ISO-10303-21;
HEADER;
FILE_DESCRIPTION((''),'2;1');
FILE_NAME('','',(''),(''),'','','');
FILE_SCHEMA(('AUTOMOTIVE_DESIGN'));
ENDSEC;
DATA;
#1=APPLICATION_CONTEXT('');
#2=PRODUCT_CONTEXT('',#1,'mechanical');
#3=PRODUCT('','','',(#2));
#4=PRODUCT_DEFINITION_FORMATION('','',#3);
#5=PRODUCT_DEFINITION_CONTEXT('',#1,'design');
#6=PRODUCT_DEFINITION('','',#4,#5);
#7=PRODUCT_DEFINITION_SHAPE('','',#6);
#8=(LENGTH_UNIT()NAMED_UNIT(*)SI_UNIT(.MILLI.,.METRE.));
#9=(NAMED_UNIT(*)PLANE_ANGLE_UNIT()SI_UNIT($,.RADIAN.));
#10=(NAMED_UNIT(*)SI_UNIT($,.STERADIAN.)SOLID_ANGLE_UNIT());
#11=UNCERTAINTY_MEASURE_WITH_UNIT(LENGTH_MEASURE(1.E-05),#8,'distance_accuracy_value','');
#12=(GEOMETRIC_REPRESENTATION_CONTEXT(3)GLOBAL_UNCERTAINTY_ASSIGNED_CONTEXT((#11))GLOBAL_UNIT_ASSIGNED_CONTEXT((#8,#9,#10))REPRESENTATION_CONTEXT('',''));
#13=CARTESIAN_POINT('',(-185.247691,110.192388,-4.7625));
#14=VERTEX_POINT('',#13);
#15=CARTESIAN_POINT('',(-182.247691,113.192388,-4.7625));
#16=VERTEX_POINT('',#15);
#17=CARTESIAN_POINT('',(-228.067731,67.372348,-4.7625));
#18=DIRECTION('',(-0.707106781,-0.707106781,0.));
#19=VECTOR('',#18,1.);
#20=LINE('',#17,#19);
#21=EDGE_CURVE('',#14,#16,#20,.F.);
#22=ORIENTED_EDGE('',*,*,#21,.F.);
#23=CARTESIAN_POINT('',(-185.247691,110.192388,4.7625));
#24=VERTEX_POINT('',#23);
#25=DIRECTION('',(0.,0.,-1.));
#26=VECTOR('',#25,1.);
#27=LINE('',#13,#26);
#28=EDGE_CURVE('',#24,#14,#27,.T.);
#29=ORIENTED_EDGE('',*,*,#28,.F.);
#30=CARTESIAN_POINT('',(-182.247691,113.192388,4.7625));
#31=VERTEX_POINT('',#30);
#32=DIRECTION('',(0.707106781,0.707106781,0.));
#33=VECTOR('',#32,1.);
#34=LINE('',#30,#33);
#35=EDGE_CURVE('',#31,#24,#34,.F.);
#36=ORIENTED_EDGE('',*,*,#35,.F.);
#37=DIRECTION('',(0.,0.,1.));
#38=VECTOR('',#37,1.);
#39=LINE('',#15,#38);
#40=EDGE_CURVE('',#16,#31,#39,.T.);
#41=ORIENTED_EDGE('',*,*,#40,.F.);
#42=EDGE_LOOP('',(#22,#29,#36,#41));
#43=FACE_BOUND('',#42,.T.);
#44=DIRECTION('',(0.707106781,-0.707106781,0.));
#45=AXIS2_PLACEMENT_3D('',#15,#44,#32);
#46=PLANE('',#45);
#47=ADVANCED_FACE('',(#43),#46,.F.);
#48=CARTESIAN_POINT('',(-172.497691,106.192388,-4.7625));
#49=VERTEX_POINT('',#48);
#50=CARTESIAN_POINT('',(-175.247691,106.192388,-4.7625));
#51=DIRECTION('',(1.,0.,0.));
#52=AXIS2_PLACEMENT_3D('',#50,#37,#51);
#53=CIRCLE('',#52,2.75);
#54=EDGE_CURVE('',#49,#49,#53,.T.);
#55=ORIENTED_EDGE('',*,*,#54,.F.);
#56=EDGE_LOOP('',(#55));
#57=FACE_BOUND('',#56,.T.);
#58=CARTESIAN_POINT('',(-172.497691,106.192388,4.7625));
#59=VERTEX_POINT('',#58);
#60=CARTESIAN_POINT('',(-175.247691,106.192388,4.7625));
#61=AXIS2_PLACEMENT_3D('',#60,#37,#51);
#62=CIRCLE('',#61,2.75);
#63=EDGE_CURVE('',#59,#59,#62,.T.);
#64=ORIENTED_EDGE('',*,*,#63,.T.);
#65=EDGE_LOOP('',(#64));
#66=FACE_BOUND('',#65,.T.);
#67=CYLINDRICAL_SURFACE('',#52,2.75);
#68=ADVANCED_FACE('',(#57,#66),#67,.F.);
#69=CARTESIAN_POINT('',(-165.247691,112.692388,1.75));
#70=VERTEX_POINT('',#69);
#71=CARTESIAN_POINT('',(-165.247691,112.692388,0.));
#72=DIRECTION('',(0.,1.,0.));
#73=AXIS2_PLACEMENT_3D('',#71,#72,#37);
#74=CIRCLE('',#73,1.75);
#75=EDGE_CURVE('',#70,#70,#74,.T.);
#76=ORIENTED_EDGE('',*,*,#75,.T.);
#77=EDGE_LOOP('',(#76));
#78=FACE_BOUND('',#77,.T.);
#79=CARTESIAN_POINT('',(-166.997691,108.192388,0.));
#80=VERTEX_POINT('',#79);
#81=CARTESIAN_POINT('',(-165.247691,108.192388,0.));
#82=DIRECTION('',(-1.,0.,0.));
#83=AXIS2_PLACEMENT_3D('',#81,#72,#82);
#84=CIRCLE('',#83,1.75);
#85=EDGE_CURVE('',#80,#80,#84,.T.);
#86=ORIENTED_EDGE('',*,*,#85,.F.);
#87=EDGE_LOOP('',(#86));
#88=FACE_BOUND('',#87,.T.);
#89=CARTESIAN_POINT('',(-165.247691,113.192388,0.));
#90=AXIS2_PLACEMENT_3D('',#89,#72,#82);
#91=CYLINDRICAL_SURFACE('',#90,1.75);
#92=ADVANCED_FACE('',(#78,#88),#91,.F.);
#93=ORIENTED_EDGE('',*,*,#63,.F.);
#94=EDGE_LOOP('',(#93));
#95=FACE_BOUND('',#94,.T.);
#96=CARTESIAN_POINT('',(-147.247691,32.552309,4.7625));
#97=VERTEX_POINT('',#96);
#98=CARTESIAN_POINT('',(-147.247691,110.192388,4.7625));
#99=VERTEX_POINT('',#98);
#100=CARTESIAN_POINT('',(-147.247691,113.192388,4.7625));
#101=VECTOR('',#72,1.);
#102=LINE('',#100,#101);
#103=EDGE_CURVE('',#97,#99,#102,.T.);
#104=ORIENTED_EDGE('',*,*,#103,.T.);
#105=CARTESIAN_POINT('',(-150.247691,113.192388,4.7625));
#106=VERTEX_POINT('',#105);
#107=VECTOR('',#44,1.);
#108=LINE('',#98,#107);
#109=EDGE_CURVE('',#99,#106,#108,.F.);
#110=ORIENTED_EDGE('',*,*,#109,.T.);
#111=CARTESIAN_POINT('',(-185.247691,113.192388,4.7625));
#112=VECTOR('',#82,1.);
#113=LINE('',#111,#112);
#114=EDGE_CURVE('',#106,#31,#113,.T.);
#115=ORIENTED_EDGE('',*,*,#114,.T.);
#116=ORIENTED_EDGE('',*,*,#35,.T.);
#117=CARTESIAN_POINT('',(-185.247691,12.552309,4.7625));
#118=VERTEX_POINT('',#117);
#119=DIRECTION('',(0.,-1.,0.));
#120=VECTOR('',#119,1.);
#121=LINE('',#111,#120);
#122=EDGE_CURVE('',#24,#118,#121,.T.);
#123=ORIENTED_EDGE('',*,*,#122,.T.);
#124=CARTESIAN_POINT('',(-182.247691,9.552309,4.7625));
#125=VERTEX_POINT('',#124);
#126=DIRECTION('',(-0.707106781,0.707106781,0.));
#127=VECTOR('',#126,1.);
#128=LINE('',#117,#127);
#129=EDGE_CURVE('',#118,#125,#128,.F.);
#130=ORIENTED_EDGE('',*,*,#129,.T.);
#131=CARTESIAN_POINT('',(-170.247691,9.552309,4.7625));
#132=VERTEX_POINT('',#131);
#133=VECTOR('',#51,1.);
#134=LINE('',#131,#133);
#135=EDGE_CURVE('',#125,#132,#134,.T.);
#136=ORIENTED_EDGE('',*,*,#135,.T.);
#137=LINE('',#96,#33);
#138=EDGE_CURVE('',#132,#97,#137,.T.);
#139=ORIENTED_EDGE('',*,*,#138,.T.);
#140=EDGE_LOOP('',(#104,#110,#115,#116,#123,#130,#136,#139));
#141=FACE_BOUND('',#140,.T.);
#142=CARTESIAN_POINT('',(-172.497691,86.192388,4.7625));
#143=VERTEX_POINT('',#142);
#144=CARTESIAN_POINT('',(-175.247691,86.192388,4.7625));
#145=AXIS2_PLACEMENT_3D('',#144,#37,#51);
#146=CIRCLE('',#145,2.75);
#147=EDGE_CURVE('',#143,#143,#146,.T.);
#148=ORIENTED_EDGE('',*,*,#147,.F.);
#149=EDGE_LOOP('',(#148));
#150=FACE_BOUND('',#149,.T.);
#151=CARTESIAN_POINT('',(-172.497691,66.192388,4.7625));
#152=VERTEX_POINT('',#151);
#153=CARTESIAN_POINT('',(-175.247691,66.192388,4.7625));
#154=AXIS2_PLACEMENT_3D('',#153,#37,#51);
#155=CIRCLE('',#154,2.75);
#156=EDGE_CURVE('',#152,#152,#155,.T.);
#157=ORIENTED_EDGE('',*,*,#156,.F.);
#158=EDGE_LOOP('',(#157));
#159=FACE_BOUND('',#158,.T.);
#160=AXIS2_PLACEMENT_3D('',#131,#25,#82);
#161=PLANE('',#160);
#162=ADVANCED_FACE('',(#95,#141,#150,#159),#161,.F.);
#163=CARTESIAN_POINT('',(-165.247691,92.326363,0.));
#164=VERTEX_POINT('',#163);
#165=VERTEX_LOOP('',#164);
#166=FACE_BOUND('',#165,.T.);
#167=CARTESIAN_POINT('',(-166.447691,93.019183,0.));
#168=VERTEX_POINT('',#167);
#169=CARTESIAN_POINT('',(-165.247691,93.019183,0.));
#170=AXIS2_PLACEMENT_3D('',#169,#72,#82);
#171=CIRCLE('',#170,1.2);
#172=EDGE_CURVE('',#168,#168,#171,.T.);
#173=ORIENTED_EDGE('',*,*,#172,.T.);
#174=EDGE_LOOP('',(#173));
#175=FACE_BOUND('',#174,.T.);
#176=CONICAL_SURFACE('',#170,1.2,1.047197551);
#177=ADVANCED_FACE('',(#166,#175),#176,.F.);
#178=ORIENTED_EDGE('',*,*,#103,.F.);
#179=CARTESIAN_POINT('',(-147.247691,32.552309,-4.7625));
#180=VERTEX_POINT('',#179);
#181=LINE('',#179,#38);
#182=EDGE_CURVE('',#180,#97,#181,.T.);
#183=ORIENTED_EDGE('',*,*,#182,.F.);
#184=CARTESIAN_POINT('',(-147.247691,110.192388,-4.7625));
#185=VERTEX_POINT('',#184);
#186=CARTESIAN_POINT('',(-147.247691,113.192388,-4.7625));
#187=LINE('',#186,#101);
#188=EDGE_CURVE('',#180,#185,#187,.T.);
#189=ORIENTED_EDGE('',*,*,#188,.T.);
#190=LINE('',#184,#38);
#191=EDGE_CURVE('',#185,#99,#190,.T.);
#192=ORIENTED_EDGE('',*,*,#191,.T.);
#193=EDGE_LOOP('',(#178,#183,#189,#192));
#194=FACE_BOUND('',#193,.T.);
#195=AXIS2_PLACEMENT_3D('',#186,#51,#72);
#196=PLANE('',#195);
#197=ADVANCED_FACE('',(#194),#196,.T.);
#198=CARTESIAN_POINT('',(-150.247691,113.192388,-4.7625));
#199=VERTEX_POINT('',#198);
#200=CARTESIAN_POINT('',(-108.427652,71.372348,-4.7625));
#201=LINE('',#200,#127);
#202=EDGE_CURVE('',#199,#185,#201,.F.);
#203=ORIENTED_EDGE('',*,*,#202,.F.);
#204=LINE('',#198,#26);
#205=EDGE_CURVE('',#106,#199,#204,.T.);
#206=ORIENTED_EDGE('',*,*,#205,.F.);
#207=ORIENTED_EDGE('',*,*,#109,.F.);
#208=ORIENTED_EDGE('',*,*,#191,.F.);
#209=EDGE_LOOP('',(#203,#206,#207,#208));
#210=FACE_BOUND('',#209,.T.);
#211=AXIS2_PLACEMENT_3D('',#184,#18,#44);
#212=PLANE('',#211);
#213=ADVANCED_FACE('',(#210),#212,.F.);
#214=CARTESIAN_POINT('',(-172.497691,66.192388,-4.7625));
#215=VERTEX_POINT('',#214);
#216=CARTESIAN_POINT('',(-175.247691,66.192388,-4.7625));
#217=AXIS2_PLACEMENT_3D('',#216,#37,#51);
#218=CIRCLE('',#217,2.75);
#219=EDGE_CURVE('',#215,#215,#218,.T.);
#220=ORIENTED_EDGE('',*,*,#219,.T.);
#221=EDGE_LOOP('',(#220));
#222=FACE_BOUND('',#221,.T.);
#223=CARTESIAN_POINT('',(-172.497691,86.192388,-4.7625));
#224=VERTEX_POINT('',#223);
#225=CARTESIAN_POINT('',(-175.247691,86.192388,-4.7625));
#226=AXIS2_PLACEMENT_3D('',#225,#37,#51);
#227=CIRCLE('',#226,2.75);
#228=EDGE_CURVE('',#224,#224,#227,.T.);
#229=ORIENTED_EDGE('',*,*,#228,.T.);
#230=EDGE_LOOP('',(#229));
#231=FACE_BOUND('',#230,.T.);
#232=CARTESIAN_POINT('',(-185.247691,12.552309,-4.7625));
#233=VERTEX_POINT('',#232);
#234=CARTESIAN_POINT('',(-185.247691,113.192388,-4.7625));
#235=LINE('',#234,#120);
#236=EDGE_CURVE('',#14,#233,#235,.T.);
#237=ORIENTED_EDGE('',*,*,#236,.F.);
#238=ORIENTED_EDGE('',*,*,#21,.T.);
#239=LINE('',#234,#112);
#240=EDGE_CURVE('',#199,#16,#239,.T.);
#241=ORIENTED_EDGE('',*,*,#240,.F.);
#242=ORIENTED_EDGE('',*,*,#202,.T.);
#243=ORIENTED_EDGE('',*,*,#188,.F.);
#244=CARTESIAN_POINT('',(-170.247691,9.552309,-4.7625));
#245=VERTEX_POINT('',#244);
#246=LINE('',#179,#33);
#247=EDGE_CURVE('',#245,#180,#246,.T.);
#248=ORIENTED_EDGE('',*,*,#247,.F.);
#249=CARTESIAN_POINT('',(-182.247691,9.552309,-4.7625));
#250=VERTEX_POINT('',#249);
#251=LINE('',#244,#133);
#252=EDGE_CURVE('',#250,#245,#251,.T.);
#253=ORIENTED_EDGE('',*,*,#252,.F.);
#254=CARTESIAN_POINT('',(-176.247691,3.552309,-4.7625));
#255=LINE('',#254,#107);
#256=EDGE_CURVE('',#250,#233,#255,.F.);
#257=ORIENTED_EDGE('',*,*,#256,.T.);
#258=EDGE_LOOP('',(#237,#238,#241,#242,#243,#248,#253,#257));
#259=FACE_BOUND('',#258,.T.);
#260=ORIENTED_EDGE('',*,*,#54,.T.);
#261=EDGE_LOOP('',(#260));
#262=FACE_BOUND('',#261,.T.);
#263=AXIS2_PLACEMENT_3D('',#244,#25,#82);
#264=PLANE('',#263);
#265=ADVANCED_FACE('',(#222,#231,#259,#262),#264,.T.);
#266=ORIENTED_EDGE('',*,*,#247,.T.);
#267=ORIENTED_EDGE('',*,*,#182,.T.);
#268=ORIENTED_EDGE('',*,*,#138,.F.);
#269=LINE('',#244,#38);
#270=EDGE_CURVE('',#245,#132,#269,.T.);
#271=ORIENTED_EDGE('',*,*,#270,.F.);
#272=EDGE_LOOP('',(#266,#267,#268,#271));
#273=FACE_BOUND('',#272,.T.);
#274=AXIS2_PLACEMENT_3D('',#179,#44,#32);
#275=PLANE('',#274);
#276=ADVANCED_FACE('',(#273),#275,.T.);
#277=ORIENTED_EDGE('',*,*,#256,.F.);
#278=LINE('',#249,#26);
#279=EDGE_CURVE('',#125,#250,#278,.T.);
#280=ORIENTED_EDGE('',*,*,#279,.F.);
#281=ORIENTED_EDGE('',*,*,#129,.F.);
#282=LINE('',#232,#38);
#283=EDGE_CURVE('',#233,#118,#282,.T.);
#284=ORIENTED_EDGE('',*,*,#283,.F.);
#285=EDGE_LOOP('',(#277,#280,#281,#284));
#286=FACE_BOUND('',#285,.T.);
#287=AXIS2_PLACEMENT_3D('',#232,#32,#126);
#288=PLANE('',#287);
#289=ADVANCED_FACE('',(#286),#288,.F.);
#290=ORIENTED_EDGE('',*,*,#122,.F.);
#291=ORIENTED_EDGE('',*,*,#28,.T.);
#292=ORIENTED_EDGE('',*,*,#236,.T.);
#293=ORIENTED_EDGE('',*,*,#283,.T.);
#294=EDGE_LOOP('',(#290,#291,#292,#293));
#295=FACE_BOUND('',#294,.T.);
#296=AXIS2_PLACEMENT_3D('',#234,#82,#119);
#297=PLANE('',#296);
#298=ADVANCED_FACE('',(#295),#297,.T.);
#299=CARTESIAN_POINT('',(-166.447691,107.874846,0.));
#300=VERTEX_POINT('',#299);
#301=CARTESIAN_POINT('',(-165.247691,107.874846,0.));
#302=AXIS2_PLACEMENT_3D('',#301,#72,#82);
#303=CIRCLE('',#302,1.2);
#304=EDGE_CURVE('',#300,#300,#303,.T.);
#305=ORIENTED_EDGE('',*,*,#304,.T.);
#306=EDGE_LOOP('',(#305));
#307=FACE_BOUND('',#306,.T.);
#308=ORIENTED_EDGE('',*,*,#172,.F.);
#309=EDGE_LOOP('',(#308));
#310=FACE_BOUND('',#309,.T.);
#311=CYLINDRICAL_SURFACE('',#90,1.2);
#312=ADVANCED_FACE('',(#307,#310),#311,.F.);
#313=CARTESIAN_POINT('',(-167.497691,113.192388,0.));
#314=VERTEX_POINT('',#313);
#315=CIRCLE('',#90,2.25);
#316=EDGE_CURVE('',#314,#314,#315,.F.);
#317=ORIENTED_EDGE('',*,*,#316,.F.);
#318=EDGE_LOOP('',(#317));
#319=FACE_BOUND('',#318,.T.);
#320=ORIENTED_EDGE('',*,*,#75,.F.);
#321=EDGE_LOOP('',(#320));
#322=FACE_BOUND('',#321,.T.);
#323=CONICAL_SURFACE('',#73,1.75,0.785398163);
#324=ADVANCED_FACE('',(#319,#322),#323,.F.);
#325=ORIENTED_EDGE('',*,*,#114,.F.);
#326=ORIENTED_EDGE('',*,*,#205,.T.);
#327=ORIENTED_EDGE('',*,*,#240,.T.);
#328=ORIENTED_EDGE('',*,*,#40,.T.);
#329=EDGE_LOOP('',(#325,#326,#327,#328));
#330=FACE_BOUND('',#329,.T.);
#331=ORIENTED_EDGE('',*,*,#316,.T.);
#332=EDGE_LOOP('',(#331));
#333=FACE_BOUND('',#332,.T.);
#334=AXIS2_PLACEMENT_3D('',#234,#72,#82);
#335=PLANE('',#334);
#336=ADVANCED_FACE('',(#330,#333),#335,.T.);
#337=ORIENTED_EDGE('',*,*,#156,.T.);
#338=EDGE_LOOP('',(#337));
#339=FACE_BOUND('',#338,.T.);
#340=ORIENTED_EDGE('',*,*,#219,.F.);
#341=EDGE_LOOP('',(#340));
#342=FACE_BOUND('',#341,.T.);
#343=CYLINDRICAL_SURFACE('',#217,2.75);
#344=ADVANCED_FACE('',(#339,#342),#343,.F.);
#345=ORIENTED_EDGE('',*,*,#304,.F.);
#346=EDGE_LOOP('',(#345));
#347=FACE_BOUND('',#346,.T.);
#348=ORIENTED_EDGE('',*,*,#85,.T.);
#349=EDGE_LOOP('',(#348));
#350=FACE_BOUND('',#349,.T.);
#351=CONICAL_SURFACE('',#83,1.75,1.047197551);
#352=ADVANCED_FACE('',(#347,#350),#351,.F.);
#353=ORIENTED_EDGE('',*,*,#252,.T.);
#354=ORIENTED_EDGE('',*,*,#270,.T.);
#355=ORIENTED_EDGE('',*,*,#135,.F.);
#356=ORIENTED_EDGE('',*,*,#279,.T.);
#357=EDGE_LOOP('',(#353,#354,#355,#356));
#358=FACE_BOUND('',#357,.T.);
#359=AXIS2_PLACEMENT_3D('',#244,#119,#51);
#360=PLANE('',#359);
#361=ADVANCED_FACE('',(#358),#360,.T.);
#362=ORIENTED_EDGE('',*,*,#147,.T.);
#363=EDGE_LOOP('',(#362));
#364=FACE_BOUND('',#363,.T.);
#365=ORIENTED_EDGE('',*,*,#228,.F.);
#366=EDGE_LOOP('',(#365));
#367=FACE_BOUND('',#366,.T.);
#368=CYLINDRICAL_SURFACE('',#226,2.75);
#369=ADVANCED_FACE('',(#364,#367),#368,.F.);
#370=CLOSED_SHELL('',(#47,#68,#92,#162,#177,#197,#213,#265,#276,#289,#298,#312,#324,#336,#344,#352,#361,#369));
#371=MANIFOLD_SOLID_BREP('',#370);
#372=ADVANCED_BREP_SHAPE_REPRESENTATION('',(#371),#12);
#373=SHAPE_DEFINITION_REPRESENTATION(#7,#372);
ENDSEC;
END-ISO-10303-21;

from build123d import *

# Parameters (mm, degrees)
BOSS_EXTRUDE1_DEPTH      = 4.7625
BOSS_EXTRUDE1_DEPTH_BACK = 4.7625
SKETCH1_R                = 2.75
CHAMFER1_SIZE            = 3
CHAMFER2_SIZE            = 0.5


with BuildPart() as part:
    # Sketch1 → Boss-Extrude1 (new, two sides: drawn at the far end of the back side and taken through both)
    with BuildSketch(Plane.XY.offset(-BOSS_EXTRUDE1_DEPTH_BACK)):
        Polygon((-170.247691321, 9.552308679), (-185.247691321, 9.552308679), (-185.247691321, 113.192388155), (-147.247691321, 113.192388155), (-147.247691321, 32.552308679), align=None)
        with Locations((-175.247691321, 66.192388155)):
            Circle(SKETCH1_R, mode=Mode.SUBTRACT)
        with Locations((-175.247691321, 86.192388155)):
            Circle(SKETCH1_R, mode=Mode.SUBTRACT)
        with Locations((-175.247691321, 106.192388155)):
            Circle(SKETCH1_R, mode=Mode.SUBTRACT)
    extrude(amount=BOSS_EXTRUDE1_DEPTH + BOSS_EXTRUDE1_DEPTH_BACK)

    # Sketch2 → Cut-Revolve1 (revolve, cut)
    with BuildSketch(Plane.XY):
        Polygon((-165.247691321, 113.192388155), (-166.997691321, 113.192388155), (-166.997691321, 108.192388155), (-166.447691321, 107.874845507), (-166.447691321, 93.019183075), (-165.247691321, 92.326362752), align=None)
    revolve(axis=Axis((-165.247691321, 113.192388155, 0), (0, -1, 0)), mode=Mode.SUBTRACT)

    # Chamfer1
    chamfer1_edges = [part.edges().sort_by_distance(p)[0] for p in [
        (-185.247691321, 9.552308679, 0),
        (-185.247691321, 113.192388155, 0),
        (-147.247691321, 113.192388155, 0),
    ]]
    chamfer(chamfer1_edges, length=CHAMFER1_SIZE)

    # Chamfer2
    chamfer2_edges = [part.edges().sort_by_distance(p)[0] for p in [
        (-163.497691321, 113.192388155, 0),
    ]]
    chamfer(chamfer2_edges, length=CHAMFER2_SIZE)


solid = part.part
